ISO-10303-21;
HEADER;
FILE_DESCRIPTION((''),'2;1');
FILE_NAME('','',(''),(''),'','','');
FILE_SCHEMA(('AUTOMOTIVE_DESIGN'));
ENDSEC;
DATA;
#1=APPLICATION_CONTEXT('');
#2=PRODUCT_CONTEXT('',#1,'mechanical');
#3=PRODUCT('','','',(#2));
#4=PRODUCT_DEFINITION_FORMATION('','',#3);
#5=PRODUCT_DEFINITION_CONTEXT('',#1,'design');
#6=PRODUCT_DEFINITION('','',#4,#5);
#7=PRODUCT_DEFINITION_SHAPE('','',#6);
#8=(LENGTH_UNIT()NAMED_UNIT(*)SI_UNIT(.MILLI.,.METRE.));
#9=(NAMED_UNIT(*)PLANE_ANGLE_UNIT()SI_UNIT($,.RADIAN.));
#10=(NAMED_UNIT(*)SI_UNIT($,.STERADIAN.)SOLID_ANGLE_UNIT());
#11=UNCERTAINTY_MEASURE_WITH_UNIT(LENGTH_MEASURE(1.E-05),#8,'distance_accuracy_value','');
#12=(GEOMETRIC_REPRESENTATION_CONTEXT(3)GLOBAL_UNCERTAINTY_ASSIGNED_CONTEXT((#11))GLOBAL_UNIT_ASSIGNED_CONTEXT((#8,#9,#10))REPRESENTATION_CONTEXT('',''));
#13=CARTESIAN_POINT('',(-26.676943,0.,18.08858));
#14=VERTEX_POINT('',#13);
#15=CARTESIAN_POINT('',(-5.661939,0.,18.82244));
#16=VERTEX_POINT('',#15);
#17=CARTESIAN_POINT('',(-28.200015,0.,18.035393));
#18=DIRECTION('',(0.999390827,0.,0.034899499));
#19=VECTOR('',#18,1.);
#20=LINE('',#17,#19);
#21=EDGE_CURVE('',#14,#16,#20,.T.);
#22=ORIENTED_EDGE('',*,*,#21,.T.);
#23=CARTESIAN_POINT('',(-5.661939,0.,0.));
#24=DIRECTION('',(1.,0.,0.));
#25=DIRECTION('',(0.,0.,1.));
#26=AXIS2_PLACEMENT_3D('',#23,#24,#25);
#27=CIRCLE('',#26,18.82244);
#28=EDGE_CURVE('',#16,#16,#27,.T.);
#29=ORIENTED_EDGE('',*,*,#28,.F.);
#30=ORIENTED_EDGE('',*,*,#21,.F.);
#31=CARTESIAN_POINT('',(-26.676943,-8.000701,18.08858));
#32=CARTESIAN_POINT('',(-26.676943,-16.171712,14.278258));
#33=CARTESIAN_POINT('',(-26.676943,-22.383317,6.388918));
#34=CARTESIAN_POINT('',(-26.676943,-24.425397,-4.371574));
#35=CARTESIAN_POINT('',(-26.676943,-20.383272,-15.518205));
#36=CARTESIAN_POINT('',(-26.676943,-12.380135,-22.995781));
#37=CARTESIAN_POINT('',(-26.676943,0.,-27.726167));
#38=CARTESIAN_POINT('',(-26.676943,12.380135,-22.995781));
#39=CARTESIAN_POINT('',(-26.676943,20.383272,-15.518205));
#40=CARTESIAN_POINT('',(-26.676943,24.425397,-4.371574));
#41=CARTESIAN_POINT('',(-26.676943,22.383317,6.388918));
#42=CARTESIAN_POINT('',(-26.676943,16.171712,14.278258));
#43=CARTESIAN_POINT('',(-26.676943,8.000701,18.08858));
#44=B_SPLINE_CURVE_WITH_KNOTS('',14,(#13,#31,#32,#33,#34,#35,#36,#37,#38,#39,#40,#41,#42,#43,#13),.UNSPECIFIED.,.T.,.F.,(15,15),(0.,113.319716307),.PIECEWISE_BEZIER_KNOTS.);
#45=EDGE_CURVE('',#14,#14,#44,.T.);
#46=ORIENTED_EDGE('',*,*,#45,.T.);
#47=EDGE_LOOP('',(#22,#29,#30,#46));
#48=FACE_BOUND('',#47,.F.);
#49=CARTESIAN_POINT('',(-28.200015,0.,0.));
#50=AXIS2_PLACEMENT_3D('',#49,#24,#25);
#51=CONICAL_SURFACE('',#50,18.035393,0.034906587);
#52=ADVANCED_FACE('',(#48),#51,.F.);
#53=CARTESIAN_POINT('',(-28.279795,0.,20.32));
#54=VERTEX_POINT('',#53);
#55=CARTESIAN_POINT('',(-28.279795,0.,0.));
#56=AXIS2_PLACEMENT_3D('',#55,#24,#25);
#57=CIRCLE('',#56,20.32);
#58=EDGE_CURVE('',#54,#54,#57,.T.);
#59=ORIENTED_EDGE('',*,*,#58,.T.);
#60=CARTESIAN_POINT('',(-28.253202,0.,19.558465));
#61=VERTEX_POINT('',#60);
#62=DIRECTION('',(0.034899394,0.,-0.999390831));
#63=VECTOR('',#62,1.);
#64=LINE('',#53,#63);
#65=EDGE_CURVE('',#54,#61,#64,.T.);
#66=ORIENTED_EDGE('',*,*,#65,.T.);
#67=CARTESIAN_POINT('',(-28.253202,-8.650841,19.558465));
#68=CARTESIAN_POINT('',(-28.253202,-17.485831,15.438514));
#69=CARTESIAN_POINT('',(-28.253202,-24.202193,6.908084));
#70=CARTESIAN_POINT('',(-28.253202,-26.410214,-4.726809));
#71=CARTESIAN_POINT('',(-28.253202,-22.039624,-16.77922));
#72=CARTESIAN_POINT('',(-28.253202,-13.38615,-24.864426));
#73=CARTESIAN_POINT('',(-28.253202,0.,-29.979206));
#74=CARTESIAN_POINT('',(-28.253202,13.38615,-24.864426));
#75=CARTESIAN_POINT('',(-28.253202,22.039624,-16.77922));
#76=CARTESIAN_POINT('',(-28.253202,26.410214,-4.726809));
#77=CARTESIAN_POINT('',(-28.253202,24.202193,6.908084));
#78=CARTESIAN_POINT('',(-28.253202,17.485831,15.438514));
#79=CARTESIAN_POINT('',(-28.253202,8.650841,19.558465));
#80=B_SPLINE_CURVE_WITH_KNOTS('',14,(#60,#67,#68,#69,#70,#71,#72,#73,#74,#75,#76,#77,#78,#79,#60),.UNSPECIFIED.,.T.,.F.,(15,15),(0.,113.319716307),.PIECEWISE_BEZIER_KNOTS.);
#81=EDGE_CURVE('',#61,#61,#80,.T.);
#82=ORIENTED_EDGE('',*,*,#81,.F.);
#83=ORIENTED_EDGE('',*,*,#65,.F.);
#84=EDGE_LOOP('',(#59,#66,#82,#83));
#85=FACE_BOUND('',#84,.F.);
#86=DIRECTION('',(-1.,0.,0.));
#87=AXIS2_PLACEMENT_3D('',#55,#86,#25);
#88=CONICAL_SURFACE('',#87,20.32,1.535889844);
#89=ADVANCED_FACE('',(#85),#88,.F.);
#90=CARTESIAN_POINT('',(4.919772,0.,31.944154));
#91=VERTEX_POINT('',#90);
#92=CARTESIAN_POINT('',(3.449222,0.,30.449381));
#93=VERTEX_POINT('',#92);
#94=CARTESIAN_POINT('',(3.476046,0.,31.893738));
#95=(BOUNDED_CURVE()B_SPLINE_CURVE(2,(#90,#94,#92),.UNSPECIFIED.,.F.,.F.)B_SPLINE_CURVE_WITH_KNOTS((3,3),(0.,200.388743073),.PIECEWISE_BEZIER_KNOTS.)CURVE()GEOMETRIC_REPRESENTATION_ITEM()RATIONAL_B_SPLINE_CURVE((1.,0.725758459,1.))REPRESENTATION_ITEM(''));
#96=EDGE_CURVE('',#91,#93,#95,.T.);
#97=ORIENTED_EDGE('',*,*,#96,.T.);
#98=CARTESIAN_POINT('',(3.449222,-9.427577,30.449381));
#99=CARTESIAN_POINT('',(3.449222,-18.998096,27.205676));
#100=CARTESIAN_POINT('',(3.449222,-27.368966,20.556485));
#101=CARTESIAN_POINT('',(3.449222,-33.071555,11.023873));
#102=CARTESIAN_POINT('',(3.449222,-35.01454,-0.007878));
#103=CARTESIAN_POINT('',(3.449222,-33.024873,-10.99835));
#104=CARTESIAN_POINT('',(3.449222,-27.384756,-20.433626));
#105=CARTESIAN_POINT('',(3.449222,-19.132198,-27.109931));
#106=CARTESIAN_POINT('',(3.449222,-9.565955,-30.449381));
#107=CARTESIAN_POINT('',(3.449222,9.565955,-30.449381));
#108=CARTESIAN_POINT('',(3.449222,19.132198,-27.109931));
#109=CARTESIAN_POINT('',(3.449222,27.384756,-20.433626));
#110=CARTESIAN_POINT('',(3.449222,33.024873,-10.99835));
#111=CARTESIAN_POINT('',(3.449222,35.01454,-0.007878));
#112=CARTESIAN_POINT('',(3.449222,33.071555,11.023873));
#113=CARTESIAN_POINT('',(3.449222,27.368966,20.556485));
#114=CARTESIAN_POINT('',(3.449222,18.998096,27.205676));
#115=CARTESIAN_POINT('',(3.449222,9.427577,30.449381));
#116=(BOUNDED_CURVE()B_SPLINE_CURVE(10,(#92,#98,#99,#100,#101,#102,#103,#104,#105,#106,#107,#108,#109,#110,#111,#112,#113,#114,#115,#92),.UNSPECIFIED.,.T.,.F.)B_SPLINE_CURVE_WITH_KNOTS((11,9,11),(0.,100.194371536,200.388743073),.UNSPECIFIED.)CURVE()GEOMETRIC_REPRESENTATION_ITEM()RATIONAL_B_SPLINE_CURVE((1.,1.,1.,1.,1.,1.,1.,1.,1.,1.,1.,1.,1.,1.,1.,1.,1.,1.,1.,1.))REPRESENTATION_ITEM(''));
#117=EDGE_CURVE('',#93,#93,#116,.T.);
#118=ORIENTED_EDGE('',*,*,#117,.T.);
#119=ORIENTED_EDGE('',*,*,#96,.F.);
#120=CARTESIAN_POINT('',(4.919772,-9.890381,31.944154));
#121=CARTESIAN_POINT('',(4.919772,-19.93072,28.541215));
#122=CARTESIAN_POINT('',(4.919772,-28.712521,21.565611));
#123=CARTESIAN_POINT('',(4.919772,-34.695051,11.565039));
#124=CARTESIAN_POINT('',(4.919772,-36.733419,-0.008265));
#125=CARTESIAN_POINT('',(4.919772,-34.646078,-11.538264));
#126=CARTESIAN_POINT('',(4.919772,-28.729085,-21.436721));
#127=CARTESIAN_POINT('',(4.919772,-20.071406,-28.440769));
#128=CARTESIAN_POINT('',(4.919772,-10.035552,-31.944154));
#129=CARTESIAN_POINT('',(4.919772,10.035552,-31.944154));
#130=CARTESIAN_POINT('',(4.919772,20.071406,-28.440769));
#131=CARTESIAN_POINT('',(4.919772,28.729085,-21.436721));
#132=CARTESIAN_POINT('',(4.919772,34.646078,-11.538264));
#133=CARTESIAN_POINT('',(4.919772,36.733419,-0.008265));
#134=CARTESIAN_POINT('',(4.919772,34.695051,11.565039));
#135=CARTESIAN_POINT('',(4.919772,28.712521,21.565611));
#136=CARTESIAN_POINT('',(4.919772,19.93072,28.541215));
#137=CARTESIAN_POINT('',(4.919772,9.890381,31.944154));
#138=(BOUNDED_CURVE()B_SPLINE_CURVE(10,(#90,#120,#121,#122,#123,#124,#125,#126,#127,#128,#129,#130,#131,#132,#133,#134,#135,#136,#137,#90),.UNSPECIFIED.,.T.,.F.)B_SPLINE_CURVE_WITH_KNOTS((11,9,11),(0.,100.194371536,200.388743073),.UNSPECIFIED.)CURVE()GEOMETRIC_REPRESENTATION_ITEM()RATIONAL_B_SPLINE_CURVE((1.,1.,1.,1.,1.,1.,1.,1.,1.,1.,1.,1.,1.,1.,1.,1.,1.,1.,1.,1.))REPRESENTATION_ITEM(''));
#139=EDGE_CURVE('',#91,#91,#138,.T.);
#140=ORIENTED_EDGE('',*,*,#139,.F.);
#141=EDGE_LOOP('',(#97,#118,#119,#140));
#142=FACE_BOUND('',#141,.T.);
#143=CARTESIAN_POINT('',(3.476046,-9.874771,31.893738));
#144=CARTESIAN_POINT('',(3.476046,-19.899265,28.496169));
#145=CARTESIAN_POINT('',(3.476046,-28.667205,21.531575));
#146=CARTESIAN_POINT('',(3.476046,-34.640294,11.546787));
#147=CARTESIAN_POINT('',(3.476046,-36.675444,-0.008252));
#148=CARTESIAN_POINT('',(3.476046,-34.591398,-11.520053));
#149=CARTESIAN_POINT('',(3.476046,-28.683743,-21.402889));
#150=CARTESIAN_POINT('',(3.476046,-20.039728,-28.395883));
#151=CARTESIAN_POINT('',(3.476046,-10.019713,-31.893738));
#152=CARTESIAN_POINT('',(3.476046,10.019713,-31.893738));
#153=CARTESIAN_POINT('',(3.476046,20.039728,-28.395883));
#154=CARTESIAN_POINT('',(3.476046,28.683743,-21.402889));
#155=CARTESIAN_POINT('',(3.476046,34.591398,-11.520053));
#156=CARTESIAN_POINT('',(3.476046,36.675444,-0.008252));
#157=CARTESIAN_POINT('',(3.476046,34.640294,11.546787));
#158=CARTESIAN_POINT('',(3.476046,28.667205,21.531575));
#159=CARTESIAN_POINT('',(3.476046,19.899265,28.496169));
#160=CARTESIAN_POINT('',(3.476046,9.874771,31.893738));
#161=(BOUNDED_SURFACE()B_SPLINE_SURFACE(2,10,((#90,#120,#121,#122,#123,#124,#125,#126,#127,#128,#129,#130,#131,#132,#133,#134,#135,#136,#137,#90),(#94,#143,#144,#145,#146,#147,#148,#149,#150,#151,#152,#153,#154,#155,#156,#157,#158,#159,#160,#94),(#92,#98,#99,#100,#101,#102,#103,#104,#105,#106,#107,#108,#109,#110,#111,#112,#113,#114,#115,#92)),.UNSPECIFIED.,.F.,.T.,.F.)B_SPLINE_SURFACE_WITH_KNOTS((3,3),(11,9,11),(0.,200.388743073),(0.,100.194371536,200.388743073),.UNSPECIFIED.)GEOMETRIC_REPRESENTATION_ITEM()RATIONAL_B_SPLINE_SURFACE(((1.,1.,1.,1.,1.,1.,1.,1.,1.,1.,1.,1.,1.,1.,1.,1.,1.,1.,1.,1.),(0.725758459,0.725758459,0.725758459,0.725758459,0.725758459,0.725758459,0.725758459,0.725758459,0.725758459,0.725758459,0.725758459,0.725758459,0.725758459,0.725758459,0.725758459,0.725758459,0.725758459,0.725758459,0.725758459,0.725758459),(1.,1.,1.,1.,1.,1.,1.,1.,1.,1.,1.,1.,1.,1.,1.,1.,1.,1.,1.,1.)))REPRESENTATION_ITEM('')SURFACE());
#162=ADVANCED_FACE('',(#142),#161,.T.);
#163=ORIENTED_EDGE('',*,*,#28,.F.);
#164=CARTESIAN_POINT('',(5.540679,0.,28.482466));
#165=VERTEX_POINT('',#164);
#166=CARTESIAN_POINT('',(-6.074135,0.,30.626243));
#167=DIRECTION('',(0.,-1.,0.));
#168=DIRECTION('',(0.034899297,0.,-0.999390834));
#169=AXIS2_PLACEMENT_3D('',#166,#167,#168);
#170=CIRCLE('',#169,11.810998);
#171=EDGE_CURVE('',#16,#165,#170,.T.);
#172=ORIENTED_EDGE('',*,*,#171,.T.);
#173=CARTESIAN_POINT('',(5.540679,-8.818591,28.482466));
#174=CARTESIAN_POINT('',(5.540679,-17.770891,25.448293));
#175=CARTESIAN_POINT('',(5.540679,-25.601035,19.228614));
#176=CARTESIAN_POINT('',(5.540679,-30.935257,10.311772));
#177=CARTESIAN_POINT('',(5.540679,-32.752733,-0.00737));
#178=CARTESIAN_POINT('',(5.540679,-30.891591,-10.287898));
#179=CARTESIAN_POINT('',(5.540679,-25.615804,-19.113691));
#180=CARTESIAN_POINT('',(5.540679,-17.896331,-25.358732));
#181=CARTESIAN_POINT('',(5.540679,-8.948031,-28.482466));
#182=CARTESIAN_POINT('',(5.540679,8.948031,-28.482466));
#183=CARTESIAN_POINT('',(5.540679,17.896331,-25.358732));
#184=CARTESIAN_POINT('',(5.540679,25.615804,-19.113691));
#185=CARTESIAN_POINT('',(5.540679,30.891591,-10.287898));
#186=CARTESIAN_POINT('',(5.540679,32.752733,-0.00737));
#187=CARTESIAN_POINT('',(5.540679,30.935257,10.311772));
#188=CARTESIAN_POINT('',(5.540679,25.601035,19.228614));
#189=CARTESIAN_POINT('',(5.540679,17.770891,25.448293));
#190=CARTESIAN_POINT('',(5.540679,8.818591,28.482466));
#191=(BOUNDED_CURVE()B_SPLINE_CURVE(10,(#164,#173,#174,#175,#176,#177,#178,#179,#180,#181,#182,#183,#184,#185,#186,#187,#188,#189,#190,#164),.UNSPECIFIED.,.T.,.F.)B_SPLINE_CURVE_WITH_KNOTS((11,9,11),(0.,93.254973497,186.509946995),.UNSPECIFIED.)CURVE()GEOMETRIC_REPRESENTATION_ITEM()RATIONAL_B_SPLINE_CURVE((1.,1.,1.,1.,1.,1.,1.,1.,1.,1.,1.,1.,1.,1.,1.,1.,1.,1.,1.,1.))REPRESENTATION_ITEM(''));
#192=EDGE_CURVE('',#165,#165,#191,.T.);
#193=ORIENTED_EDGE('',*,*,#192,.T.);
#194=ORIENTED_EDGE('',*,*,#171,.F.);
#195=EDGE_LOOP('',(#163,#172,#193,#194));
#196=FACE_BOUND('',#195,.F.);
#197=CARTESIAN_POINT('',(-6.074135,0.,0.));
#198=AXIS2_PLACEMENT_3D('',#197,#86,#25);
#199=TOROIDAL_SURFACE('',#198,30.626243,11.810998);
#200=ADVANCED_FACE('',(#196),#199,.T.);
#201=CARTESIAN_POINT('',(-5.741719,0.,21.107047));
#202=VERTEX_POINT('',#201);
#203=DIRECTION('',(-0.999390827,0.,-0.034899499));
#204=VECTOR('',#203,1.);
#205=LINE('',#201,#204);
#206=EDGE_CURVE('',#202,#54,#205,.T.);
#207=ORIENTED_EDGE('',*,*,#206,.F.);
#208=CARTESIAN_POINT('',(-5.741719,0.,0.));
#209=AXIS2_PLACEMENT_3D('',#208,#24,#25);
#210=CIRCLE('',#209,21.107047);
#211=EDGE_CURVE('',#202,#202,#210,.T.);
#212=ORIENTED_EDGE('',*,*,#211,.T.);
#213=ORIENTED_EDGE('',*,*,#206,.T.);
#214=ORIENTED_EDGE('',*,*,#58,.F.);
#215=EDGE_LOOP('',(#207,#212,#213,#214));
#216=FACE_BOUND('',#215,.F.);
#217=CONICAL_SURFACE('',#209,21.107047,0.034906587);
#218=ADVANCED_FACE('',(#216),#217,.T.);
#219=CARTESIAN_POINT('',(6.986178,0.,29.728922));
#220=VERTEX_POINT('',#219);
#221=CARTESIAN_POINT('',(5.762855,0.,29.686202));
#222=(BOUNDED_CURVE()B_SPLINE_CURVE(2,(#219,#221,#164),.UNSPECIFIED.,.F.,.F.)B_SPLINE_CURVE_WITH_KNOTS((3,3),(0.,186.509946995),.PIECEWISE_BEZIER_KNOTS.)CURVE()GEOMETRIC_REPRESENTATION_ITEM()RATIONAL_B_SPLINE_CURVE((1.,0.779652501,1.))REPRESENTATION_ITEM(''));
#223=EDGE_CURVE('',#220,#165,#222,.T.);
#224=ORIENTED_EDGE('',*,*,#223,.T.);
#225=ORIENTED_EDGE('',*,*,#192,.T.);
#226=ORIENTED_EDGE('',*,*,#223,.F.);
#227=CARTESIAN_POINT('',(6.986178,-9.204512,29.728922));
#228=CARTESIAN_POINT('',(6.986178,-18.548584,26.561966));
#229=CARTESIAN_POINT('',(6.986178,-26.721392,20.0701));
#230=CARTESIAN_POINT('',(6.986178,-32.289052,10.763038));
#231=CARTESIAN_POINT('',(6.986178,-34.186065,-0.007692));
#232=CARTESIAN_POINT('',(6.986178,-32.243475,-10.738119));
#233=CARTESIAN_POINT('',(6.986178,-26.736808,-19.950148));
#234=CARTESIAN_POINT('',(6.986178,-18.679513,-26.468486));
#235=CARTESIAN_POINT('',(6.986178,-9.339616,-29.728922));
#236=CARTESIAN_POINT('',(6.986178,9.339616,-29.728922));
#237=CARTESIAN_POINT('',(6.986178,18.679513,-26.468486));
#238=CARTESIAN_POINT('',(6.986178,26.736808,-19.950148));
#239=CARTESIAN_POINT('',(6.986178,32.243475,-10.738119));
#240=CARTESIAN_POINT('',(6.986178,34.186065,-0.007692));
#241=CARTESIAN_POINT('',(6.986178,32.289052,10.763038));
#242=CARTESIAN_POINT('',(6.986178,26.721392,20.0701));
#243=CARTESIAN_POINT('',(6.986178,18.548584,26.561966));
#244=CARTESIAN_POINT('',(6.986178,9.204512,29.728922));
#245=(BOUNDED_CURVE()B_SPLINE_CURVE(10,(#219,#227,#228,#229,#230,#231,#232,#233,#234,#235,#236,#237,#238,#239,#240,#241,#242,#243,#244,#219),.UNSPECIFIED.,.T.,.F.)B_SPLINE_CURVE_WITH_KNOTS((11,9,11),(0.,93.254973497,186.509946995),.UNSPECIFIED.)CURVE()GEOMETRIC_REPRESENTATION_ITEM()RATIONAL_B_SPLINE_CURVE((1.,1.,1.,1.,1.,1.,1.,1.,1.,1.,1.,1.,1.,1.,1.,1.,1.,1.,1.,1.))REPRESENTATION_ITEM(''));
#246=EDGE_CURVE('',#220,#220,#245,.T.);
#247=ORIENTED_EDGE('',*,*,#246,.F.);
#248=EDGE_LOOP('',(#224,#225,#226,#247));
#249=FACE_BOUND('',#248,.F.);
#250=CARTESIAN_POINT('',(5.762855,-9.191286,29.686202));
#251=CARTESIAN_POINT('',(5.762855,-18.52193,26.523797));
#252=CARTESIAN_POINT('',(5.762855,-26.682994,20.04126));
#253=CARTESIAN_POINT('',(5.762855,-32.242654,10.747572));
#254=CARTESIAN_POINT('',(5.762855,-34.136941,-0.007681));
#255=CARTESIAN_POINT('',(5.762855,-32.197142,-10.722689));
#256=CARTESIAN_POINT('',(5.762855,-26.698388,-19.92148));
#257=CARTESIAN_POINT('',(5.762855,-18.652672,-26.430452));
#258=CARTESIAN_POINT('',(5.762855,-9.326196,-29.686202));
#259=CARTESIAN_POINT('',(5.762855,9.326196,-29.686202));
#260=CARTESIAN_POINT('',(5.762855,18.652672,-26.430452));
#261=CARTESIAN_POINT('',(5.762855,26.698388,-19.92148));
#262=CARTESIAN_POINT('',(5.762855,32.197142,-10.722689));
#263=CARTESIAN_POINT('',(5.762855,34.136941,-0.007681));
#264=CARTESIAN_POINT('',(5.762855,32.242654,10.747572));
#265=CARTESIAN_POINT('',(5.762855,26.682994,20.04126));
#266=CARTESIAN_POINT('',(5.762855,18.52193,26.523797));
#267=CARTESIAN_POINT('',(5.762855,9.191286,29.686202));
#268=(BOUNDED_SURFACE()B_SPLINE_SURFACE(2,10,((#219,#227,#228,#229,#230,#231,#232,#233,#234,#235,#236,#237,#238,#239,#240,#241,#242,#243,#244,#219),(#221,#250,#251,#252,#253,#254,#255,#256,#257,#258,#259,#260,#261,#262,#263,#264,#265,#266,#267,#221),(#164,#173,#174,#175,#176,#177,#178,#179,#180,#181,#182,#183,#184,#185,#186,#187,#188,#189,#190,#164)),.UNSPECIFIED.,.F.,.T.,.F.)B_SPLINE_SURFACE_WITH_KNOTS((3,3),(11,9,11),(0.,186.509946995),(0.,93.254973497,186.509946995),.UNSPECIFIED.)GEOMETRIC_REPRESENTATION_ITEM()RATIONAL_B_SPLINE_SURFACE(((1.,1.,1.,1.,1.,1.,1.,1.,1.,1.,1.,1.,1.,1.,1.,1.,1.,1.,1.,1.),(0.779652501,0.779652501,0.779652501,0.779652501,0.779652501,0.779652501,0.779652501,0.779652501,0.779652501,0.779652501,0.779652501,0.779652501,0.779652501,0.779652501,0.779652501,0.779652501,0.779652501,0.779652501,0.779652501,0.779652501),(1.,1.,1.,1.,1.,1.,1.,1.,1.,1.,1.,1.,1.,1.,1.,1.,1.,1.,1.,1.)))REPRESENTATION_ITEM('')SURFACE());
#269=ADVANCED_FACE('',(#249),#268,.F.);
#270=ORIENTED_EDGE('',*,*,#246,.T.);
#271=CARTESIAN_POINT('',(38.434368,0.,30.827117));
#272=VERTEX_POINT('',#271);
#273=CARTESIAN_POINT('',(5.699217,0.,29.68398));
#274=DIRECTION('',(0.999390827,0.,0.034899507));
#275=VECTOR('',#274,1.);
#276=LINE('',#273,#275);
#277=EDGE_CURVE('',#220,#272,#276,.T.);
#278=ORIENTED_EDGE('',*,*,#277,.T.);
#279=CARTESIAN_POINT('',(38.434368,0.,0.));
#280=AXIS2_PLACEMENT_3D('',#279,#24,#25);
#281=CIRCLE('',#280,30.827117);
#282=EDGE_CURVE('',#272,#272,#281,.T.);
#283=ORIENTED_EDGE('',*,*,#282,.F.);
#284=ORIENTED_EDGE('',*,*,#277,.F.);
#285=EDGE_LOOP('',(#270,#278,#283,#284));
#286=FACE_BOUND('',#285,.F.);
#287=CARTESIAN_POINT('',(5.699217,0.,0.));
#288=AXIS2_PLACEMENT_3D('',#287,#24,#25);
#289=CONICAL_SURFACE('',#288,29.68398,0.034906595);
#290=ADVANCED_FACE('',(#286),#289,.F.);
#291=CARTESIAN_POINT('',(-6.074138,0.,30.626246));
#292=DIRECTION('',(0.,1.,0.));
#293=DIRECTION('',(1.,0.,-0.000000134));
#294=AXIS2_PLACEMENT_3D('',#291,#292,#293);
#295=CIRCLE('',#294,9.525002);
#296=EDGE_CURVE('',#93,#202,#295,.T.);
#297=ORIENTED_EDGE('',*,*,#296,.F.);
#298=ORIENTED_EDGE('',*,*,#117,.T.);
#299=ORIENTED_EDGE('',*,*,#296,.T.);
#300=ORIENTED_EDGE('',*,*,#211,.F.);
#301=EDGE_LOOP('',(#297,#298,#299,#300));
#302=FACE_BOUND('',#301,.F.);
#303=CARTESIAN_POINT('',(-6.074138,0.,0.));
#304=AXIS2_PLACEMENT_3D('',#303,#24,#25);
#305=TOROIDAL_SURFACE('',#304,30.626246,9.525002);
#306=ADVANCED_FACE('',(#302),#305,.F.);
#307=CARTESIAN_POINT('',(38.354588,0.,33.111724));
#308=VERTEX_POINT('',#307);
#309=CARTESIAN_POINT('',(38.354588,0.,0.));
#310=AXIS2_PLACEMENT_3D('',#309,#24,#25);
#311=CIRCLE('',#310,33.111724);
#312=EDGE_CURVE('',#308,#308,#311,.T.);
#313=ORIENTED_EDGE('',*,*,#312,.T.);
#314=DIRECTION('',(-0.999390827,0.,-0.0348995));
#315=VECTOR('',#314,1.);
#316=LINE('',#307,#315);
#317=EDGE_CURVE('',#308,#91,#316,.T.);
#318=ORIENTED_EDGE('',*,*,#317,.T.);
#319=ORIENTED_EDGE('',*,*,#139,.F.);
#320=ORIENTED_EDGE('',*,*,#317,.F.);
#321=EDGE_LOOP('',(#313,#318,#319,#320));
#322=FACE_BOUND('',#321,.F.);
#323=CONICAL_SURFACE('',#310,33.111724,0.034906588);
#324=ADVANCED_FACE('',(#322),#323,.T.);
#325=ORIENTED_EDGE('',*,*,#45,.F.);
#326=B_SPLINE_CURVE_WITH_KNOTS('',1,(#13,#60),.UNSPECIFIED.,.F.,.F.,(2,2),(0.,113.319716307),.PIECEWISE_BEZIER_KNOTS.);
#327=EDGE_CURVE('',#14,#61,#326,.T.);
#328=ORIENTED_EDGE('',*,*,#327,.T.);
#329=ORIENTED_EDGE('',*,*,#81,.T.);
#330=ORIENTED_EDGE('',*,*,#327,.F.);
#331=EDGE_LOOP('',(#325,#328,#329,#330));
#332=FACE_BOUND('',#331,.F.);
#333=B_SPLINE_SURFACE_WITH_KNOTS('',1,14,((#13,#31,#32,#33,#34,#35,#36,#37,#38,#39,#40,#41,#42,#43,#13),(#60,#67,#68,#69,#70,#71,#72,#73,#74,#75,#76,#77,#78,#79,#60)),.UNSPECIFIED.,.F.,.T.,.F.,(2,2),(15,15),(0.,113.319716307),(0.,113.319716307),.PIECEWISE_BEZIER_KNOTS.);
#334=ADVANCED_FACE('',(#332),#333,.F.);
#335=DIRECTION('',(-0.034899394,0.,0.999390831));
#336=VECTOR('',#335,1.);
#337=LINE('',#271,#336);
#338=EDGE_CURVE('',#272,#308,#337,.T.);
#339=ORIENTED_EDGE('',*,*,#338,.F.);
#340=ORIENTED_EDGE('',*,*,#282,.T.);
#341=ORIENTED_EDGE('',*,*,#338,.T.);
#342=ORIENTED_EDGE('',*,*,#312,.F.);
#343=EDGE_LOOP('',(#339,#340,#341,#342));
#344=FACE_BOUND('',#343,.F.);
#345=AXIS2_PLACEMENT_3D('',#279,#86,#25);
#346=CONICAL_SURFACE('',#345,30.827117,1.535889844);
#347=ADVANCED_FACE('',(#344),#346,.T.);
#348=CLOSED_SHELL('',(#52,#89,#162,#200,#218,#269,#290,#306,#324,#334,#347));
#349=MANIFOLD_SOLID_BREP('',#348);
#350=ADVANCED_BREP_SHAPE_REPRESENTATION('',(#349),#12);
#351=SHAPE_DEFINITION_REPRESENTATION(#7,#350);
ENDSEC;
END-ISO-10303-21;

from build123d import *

# Parameters (mm, degrees)
F2_R    = 1.524
F3_R    = 1.524
F4_SIZE = 1.524


with BuildPart() as f1:
    # F0 (on Front) → F1 (revolve)
    with BuildSketch(Plane.XZ):
        with BuildLine():
            Line((-5.741719, 21.107047), (-28.279795, 20.32))
            Line((-28.279795, 20.32), (-28.200015, 18.035393))
            Line((-28.200015, 18.035393), (-5.661939, 18.82244))
            ThreePointArc((-5.661939, 18.82244), (2.087676, 22.089), (5.699217, 29.68398))
            Line((5.699217, 29.68398), (38.434368, 30.827117))
            Line((38.434368, 30.827117), (38.354588, 33.111724))
            Line((38.354588, 33.111724), (3.450864, 31.892859))
            Line((3.450864, 31.892859), (3.450864, 30.626245))
            ThreePointArc((3.450864, 30.626245), (0.777575, 24.009624), (-5.741719, 21.107047))
        make_face()
    revolve(axis=Axis((3.331136, 0, 0), (1, 0, 0)))

    # F2
    f2_edges = [f1.edges().sort_by_distance(p)[0] for p in [
        (3.450864, 0, -31.892859),
    ]]
    fillet(f2_edges, radius=F2_R)

    # F3
    f3_edges = [f1.edges().sort_by_distance(p)[0] for p in [
        (5.699217, 0, -29.68398),
    ]]
    fillet(f3_edges, radius=F3_R)

    # F4
    f4_edges = [f1.edges().sort_by_distance(p)[0] for p in [
        (-28.200015, 0, -18.035393),
    ]]
    chamfer(f4_edges, length=F4_SIZE)


solid = f1.part
